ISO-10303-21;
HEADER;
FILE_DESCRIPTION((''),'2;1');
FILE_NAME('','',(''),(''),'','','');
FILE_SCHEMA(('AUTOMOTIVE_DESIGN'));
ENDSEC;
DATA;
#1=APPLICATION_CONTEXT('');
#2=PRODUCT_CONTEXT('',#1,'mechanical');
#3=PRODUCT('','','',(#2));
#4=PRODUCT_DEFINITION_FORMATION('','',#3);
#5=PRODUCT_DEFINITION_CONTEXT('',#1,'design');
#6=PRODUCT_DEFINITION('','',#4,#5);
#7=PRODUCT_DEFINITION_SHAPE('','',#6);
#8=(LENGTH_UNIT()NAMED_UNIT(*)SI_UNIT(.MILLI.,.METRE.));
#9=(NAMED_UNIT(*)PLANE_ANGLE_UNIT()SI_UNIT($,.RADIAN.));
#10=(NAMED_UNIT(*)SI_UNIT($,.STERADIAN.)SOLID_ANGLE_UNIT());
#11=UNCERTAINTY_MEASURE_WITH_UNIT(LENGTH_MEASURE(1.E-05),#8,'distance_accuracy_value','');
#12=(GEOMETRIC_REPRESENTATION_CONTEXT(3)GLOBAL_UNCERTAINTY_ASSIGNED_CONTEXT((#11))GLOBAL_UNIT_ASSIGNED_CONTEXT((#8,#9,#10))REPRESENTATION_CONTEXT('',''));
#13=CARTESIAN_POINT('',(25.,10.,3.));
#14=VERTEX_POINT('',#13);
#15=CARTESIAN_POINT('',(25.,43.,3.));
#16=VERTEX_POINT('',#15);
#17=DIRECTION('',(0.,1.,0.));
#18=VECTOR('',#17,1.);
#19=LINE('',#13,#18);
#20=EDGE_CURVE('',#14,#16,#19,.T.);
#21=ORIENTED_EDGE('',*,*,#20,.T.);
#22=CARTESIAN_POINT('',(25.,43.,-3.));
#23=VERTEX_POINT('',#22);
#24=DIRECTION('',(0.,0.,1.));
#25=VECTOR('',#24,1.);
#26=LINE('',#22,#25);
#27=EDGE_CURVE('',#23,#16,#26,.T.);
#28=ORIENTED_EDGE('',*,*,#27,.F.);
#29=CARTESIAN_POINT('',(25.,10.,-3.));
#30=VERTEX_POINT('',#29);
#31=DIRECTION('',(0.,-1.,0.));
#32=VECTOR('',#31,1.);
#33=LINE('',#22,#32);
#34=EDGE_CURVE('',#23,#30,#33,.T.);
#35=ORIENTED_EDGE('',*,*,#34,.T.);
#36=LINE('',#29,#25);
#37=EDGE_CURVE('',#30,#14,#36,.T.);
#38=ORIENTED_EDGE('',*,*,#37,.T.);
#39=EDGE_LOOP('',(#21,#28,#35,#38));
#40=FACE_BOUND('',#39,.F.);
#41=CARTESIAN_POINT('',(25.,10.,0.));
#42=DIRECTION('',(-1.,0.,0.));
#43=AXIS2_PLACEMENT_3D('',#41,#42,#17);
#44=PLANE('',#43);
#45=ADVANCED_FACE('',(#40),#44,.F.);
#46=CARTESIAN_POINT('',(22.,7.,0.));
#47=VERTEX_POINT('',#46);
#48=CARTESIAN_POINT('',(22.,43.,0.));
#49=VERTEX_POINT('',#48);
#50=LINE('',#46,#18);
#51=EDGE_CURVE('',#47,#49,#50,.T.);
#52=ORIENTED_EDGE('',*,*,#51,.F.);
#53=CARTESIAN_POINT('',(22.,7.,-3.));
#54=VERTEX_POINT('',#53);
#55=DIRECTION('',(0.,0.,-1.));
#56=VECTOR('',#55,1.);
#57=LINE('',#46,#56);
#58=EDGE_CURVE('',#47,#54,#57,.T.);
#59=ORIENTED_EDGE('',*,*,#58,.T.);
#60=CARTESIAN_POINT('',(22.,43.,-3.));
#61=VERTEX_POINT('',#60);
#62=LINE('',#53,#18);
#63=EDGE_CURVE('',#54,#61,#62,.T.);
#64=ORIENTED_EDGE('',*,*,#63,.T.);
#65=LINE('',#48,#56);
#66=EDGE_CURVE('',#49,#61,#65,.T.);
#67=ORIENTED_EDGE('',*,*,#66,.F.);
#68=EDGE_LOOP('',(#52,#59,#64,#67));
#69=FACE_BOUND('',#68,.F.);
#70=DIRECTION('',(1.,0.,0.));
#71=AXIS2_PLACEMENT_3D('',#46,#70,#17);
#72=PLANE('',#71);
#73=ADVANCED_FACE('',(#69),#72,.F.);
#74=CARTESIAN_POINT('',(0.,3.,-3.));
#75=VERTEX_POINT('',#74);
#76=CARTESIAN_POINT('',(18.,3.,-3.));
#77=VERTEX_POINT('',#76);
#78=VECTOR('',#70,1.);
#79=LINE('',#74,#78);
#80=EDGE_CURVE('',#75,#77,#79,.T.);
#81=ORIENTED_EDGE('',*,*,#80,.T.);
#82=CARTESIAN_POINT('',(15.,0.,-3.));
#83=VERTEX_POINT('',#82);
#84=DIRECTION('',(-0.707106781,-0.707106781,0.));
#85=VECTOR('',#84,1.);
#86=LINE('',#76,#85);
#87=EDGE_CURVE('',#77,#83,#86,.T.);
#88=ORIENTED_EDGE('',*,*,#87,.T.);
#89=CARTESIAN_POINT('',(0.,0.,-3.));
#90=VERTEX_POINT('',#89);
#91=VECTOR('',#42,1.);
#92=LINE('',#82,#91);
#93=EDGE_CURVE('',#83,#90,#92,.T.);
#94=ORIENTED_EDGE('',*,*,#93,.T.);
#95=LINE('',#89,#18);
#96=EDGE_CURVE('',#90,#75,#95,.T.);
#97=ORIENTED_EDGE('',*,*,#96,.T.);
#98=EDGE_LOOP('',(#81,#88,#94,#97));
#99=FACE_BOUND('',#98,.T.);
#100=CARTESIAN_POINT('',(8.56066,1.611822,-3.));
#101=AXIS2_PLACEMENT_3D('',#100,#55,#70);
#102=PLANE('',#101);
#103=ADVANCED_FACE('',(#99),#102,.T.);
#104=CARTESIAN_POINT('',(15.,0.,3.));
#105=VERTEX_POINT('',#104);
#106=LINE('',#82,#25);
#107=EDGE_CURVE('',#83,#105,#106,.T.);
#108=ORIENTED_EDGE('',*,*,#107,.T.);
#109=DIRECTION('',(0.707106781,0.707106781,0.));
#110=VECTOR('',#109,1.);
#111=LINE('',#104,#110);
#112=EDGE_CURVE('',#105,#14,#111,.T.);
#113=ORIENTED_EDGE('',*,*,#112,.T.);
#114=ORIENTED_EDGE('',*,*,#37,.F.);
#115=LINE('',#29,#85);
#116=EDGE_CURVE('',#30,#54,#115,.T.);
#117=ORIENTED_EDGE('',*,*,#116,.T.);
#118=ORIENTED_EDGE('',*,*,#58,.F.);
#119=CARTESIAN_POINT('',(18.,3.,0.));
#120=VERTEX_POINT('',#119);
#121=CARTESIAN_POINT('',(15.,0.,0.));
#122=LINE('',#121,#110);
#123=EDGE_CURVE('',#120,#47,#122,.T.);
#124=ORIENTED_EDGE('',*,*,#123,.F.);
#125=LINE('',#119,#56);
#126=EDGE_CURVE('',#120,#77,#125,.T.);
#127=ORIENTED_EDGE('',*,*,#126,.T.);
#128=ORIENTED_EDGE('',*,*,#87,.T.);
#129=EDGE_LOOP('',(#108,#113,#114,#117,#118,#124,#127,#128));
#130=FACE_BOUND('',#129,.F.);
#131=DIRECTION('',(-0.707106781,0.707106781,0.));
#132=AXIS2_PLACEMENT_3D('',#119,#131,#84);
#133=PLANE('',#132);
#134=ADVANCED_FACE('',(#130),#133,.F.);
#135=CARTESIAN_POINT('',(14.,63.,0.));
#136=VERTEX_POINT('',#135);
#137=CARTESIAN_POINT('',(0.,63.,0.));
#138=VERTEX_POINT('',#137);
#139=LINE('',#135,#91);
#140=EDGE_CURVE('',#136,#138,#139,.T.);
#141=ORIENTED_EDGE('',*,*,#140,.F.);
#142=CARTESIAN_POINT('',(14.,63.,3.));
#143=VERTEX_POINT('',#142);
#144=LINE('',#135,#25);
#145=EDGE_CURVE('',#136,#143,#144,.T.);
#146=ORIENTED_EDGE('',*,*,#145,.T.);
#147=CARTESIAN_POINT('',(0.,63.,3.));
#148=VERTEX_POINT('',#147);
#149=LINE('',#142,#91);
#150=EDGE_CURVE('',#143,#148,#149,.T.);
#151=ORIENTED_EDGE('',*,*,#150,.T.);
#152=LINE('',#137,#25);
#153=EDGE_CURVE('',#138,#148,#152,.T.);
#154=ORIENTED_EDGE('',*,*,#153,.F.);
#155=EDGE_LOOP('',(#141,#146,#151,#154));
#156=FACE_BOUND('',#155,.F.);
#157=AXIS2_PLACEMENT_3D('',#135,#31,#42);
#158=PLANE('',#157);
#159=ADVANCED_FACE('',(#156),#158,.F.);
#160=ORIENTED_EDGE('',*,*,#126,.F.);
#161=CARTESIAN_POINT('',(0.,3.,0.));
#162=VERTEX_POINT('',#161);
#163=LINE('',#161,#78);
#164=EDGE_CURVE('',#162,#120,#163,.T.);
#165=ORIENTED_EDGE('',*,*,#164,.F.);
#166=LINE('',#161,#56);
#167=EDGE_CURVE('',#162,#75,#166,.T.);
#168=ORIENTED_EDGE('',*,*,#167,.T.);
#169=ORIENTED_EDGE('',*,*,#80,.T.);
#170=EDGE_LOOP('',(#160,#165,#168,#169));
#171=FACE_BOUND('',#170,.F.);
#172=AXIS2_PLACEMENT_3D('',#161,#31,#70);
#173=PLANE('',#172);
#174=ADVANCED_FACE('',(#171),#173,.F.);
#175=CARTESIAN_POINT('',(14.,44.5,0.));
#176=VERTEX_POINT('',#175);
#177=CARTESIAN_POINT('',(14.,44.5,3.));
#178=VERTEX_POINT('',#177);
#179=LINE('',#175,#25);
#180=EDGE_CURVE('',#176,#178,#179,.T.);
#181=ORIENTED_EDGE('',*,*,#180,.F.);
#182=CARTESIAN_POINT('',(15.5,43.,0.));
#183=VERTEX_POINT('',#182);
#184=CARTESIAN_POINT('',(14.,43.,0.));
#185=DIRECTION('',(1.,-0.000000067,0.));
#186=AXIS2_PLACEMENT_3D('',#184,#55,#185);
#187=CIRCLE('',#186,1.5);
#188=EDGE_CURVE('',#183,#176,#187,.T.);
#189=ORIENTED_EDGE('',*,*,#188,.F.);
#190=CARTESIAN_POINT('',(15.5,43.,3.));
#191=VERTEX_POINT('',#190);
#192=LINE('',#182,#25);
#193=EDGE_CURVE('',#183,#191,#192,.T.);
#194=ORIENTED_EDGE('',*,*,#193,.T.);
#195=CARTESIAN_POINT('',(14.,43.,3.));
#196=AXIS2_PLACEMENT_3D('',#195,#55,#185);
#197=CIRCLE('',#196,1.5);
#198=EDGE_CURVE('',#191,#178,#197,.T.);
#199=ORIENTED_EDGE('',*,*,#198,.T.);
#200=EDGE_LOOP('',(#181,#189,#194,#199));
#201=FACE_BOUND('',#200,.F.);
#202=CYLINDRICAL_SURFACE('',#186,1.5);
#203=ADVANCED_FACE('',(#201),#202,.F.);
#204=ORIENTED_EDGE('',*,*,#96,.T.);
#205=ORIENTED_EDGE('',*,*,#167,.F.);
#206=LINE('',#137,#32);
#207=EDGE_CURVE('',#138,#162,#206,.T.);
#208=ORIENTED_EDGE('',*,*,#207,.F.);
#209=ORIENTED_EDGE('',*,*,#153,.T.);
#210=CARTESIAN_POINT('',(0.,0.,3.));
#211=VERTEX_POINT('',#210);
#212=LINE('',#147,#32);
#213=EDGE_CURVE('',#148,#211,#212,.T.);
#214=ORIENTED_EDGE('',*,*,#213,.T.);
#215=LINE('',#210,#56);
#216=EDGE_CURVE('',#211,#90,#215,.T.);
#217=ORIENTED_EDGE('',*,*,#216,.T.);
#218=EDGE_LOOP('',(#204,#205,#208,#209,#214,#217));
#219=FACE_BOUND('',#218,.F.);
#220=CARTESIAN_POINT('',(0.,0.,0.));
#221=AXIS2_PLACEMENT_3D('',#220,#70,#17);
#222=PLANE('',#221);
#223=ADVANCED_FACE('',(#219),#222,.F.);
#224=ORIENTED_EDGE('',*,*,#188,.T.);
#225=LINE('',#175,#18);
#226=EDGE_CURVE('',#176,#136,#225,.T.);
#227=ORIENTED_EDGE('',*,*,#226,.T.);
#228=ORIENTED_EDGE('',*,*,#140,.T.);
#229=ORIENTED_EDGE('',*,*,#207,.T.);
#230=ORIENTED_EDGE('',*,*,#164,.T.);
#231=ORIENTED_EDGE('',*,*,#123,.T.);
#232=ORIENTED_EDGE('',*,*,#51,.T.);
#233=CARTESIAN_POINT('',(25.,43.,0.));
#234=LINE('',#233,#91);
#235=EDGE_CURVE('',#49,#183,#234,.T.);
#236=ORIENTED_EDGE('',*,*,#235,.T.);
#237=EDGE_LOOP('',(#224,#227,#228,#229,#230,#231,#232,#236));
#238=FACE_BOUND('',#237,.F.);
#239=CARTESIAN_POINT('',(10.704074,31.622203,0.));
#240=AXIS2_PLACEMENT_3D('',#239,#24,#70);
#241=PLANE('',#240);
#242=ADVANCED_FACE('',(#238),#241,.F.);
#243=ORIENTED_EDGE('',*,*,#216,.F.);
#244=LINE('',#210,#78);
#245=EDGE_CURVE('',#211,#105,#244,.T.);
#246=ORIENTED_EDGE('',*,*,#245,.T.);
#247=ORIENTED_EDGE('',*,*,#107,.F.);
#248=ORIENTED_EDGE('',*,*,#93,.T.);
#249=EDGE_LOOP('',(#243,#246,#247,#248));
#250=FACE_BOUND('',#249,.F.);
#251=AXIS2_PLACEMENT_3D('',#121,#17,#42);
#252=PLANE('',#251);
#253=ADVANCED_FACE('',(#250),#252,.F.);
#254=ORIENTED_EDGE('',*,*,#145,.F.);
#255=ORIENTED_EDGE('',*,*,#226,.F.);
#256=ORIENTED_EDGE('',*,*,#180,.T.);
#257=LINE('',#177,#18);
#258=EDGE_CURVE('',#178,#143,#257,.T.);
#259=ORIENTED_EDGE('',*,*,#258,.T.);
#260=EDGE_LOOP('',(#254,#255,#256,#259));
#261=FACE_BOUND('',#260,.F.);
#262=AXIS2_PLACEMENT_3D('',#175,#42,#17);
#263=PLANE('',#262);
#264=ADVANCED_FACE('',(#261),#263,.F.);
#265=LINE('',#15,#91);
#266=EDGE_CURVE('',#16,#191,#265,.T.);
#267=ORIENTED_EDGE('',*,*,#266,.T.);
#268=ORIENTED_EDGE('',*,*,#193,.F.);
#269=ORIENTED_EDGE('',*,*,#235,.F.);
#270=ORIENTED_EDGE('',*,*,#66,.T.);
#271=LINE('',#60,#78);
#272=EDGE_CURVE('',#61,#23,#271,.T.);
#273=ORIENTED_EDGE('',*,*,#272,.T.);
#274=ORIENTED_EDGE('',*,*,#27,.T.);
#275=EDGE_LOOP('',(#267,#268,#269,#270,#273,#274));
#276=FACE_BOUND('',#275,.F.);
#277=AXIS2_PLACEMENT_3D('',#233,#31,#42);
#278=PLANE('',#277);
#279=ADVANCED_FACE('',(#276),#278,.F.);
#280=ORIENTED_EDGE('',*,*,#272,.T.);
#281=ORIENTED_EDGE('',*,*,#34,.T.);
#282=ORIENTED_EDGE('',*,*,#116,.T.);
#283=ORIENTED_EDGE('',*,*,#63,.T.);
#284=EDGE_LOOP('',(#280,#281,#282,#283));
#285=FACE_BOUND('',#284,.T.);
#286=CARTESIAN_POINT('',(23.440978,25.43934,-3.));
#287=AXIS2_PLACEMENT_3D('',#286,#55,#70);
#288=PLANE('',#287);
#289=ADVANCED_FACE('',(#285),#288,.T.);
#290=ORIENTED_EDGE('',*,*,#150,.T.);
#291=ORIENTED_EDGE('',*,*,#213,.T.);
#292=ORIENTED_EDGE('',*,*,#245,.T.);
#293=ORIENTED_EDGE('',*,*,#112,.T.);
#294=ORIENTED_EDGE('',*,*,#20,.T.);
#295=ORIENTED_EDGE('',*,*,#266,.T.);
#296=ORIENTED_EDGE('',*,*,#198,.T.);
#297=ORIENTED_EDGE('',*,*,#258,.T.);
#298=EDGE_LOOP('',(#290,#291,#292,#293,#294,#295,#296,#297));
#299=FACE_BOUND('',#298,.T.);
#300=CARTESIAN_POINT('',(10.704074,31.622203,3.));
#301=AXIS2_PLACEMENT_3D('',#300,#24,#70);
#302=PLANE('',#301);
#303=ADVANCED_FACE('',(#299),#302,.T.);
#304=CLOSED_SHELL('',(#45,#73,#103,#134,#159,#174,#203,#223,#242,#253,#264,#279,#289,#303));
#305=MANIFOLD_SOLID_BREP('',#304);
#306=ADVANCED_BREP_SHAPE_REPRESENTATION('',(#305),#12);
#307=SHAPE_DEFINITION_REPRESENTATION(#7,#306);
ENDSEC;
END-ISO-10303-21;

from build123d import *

# Parameters (mm, degrees)
F1_DEPTH = 3
F3_DEPTH = 3


with BuildPart() as f1:
    # F0 (on Top) → F1 (new body)
    with BuildSketch(Plane.XY):
        with BuildLine():
            Line((0, 63), (0, 0))
            Line((0, 0), (15, 0))
            Line((15, 0), (25, 10))
            Line((25, 10), (25, 43))
            Line((25, 43), (15.5, 43))
            ThreePointArc((15.5, 43), (12.93934, 41.93934), (14, 44.5))
            Line((14, 44.5), (14, 63))
            Line((14, 63), (0, 63))
        make_face()
    extrude(amount=F1_DEPTH)

    # F2 (on face) → F3 (join)
    with BuildSketch(Plane(origin=(0, 0, 0), x_dir=(1, 0, 0), z_dir=(0, 0, -1))):
        Polygon((15, 0), (0, 0), (0, -3), (18, -3), align=None)
        Polygon((25, -43), (25, -10), (22, -7), (22, -43), align=None)
    extrude(amount=F3_DEPTH)


solid = f1.part
